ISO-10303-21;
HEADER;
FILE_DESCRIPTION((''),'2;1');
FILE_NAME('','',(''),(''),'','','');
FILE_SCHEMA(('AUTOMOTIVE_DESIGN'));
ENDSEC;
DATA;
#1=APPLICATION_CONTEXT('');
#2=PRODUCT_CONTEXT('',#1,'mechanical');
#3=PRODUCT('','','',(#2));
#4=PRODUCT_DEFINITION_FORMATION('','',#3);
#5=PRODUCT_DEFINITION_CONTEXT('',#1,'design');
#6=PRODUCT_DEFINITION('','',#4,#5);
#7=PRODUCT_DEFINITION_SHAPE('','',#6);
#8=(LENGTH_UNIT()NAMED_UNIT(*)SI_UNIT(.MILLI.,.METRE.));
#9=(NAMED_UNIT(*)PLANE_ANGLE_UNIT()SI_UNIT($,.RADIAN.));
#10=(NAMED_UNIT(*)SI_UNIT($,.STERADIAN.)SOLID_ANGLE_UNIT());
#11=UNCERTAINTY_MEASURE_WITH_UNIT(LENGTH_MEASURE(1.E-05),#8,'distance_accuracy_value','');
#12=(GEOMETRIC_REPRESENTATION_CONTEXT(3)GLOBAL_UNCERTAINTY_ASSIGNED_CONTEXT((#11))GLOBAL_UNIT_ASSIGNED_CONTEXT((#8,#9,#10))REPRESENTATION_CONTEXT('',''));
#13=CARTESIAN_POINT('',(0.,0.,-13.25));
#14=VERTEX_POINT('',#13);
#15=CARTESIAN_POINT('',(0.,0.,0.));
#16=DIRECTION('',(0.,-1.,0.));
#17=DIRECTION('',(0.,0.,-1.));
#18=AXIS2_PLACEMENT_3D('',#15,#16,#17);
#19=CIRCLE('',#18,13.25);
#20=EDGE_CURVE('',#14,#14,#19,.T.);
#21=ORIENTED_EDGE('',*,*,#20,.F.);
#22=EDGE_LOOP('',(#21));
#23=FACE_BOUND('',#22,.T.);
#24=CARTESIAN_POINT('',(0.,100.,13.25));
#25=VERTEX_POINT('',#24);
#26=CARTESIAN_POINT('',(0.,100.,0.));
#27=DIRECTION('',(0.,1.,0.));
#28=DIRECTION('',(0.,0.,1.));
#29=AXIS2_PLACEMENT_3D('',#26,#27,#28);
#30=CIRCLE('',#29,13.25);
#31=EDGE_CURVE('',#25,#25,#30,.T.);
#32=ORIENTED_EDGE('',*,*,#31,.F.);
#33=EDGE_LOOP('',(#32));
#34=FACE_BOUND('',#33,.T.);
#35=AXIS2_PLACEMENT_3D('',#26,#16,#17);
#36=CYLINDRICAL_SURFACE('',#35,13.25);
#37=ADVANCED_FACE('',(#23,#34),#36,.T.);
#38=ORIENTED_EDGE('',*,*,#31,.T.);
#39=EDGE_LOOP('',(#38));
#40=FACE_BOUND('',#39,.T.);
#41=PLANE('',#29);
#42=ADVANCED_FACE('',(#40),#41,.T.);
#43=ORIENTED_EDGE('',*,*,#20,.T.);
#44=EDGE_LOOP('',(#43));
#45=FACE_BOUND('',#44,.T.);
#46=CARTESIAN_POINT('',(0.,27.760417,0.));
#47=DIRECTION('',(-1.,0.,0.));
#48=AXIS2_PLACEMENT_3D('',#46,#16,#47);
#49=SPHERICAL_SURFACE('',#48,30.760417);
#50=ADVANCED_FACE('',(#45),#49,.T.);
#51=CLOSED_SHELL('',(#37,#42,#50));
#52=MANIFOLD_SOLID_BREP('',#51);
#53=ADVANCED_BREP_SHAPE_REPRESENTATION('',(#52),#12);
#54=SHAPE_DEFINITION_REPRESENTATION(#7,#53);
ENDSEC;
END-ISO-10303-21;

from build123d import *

# Parameters (mm, degrees)
SKETCH1_R           = 13.25
BOSS_EXTRUDE1_DEPTH = 100


with BuildPart() as part:
    # Sketch1 → Boss-Extrude1 (new body)
    with BuildSketch(Plane(origin=(0, 0, 0), x_dir=(1, 0, 0), z_dir=(0, 1, 0))):
        with Locations(Location((0, 0, 0), (0, 0, 270))):
            Circle(SKETCH1_R)
    extrude(amount=BOSS_EXTRUDE1_DEPTH)

    # Sketch2 → Revolve1 (revolve)
    with BuildSketch(Plane.XY, mode=Mode.PRIVATE) as revolve1_sk:
        with BuildLine():
            Line((0, -3), (0, 0.442183875))
            Line((0, 0.442183875), (13.25, 0))
            ThreePointArc((13.25, 0), (6.792689085, -2.24062679), (0, -3))
        make_face()
    revolve(revolve1_sk.sketch.rotate(Axis((0, -3, 0), (0, 1, 0)), 90), axis=Axis((0, -3, 0), (0, 1, 0)))


solid = part.part
